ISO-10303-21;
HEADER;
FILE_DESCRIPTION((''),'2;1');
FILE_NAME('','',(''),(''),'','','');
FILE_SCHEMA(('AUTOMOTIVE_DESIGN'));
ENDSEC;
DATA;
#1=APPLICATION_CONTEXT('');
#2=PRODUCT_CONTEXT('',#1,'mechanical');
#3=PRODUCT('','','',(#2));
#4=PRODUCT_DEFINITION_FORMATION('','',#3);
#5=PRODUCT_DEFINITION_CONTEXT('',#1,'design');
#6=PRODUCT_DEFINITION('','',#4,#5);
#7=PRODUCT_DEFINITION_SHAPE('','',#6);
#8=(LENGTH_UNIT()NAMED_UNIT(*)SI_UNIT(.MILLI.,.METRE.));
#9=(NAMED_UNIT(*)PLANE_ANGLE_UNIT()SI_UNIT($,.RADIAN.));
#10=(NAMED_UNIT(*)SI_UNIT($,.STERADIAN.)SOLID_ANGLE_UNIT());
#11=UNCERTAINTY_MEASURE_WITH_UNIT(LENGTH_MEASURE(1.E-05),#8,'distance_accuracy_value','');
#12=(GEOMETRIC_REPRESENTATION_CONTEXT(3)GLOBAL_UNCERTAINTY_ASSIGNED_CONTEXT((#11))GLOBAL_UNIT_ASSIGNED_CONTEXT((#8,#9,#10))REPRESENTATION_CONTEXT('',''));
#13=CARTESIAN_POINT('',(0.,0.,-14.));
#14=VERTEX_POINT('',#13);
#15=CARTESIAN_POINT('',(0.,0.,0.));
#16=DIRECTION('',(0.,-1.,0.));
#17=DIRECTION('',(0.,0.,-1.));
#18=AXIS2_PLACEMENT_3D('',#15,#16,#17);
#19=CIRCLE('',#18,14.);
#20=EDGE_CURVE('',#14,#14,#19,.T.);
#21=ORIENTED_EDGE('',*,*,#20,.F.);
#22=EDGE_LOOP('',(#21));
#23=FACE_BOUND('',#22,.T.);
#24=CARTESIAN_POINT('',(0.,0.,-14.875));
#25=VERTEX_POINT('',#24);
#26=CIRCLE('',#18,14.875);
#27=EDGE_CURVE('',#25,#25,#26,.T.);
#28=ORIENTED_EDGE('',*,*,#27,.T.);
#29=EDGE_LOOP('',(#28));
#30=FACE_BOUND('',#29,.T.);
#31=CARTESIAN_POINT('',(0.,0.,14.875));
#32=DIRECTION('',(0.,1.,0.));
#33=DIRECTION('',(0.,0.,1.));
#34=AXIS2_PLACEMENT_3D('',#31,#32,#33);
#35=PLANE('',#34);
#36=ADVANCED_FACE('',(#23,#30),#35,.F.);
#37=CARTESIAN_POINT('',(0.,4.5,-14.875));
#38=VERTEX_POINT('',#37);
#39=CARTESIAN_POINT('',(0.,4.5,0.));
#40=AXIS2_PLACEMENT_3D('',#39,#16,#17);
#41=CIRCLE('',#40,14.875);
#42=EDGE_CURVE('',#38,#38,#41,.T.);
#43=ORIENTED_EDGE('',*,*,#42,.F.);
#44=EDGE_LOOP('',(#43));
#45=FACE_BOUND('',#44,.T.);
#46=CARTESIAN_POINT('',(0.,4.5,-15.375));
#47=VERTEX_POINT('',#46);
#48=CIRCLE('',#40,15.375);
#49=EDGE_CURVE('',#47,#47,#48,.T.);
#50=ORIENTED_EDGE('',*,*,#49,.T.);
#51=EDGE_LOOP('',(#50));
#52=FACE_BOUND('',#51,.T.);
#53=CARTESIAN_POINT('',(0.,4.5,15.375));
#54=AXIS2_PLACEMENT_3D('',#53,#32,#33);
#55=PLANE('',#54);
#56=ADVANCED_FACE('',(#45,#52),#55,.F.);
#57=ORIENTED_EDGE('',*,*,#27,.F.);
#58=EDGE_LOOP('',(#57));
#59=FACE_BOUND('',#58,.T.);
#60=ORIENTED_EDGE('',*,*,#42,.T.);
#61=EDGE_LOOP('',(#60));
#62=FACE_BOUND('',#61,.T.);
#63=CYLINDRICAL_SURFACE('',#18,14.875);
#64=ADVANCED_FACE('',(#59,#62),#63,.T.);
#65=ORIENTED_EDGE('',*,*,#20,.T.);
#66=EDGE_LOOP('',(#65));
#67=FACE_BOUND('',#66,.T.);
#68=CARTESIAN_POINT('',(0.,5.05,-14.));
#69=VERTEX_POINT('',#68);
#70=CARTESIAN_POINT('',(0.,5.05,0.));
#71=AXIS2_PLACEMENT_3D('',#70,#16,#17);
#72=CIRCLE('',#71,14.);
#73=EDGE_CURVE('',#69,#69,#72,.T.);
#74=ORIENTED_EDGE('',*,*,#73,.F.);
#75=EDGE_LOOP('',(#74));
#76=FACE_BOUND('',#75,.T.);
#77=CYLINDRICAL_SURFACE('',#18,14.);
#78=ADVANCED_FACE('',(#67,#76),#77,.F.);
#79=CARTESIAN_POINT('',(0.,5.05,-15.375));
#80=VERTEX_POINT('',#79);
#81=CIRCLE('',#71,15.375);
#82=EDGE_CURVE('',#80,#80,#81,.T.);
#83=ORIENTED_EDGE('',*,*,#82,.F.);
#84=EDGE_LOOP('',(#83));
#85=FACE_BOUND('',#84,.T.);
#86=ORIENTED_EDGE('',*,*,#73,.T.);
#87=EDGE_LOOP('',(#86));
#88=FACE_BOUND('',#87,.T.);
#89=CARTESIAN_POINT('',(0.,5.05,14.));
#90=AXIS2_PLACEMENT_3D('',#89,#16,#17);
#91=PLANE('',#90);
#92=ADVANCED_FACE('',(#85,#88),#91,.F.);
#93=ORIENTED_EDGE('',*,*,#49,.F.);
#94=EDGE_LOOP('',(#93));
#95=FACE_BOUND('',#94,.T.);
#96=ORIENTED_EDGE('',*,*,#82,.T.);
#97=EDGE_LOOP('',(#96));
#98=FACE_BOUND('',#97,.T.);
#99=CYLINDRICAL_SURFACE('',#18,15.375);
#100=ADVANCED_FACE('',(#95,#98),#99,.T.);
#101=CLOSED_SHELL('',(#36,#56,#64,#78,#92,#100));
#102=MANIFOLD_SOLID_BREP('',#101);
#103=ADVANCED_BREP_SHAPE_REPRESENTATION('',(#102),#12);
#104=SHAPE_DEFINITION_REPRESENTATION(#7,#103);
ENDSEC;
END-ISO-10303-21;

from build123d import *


with BuildPart() as part:
    # Sketch2 → Revolve1 (revolve)
    with BuildSketch(Plane(origin=(0, 0, 0), x_dir=(0, 0, -1), z_dir=(1, 0, 0)), mode=Mode.PRIVATE) as revolve1_sk:
        Polygon((-14.875, 0), (-14, 0), (-14, 5.05), (-15.375, 5.05), (-15.375, 4.5), (-14.875, 4.5), align=None)
    revolve(revolve1_sk.sketch.rotate(Axis((0, 0, 0), (0, 1, 0)), 180), axis=Axis((0, 0, 0), (0, 1, 0)))


solid = part.part
